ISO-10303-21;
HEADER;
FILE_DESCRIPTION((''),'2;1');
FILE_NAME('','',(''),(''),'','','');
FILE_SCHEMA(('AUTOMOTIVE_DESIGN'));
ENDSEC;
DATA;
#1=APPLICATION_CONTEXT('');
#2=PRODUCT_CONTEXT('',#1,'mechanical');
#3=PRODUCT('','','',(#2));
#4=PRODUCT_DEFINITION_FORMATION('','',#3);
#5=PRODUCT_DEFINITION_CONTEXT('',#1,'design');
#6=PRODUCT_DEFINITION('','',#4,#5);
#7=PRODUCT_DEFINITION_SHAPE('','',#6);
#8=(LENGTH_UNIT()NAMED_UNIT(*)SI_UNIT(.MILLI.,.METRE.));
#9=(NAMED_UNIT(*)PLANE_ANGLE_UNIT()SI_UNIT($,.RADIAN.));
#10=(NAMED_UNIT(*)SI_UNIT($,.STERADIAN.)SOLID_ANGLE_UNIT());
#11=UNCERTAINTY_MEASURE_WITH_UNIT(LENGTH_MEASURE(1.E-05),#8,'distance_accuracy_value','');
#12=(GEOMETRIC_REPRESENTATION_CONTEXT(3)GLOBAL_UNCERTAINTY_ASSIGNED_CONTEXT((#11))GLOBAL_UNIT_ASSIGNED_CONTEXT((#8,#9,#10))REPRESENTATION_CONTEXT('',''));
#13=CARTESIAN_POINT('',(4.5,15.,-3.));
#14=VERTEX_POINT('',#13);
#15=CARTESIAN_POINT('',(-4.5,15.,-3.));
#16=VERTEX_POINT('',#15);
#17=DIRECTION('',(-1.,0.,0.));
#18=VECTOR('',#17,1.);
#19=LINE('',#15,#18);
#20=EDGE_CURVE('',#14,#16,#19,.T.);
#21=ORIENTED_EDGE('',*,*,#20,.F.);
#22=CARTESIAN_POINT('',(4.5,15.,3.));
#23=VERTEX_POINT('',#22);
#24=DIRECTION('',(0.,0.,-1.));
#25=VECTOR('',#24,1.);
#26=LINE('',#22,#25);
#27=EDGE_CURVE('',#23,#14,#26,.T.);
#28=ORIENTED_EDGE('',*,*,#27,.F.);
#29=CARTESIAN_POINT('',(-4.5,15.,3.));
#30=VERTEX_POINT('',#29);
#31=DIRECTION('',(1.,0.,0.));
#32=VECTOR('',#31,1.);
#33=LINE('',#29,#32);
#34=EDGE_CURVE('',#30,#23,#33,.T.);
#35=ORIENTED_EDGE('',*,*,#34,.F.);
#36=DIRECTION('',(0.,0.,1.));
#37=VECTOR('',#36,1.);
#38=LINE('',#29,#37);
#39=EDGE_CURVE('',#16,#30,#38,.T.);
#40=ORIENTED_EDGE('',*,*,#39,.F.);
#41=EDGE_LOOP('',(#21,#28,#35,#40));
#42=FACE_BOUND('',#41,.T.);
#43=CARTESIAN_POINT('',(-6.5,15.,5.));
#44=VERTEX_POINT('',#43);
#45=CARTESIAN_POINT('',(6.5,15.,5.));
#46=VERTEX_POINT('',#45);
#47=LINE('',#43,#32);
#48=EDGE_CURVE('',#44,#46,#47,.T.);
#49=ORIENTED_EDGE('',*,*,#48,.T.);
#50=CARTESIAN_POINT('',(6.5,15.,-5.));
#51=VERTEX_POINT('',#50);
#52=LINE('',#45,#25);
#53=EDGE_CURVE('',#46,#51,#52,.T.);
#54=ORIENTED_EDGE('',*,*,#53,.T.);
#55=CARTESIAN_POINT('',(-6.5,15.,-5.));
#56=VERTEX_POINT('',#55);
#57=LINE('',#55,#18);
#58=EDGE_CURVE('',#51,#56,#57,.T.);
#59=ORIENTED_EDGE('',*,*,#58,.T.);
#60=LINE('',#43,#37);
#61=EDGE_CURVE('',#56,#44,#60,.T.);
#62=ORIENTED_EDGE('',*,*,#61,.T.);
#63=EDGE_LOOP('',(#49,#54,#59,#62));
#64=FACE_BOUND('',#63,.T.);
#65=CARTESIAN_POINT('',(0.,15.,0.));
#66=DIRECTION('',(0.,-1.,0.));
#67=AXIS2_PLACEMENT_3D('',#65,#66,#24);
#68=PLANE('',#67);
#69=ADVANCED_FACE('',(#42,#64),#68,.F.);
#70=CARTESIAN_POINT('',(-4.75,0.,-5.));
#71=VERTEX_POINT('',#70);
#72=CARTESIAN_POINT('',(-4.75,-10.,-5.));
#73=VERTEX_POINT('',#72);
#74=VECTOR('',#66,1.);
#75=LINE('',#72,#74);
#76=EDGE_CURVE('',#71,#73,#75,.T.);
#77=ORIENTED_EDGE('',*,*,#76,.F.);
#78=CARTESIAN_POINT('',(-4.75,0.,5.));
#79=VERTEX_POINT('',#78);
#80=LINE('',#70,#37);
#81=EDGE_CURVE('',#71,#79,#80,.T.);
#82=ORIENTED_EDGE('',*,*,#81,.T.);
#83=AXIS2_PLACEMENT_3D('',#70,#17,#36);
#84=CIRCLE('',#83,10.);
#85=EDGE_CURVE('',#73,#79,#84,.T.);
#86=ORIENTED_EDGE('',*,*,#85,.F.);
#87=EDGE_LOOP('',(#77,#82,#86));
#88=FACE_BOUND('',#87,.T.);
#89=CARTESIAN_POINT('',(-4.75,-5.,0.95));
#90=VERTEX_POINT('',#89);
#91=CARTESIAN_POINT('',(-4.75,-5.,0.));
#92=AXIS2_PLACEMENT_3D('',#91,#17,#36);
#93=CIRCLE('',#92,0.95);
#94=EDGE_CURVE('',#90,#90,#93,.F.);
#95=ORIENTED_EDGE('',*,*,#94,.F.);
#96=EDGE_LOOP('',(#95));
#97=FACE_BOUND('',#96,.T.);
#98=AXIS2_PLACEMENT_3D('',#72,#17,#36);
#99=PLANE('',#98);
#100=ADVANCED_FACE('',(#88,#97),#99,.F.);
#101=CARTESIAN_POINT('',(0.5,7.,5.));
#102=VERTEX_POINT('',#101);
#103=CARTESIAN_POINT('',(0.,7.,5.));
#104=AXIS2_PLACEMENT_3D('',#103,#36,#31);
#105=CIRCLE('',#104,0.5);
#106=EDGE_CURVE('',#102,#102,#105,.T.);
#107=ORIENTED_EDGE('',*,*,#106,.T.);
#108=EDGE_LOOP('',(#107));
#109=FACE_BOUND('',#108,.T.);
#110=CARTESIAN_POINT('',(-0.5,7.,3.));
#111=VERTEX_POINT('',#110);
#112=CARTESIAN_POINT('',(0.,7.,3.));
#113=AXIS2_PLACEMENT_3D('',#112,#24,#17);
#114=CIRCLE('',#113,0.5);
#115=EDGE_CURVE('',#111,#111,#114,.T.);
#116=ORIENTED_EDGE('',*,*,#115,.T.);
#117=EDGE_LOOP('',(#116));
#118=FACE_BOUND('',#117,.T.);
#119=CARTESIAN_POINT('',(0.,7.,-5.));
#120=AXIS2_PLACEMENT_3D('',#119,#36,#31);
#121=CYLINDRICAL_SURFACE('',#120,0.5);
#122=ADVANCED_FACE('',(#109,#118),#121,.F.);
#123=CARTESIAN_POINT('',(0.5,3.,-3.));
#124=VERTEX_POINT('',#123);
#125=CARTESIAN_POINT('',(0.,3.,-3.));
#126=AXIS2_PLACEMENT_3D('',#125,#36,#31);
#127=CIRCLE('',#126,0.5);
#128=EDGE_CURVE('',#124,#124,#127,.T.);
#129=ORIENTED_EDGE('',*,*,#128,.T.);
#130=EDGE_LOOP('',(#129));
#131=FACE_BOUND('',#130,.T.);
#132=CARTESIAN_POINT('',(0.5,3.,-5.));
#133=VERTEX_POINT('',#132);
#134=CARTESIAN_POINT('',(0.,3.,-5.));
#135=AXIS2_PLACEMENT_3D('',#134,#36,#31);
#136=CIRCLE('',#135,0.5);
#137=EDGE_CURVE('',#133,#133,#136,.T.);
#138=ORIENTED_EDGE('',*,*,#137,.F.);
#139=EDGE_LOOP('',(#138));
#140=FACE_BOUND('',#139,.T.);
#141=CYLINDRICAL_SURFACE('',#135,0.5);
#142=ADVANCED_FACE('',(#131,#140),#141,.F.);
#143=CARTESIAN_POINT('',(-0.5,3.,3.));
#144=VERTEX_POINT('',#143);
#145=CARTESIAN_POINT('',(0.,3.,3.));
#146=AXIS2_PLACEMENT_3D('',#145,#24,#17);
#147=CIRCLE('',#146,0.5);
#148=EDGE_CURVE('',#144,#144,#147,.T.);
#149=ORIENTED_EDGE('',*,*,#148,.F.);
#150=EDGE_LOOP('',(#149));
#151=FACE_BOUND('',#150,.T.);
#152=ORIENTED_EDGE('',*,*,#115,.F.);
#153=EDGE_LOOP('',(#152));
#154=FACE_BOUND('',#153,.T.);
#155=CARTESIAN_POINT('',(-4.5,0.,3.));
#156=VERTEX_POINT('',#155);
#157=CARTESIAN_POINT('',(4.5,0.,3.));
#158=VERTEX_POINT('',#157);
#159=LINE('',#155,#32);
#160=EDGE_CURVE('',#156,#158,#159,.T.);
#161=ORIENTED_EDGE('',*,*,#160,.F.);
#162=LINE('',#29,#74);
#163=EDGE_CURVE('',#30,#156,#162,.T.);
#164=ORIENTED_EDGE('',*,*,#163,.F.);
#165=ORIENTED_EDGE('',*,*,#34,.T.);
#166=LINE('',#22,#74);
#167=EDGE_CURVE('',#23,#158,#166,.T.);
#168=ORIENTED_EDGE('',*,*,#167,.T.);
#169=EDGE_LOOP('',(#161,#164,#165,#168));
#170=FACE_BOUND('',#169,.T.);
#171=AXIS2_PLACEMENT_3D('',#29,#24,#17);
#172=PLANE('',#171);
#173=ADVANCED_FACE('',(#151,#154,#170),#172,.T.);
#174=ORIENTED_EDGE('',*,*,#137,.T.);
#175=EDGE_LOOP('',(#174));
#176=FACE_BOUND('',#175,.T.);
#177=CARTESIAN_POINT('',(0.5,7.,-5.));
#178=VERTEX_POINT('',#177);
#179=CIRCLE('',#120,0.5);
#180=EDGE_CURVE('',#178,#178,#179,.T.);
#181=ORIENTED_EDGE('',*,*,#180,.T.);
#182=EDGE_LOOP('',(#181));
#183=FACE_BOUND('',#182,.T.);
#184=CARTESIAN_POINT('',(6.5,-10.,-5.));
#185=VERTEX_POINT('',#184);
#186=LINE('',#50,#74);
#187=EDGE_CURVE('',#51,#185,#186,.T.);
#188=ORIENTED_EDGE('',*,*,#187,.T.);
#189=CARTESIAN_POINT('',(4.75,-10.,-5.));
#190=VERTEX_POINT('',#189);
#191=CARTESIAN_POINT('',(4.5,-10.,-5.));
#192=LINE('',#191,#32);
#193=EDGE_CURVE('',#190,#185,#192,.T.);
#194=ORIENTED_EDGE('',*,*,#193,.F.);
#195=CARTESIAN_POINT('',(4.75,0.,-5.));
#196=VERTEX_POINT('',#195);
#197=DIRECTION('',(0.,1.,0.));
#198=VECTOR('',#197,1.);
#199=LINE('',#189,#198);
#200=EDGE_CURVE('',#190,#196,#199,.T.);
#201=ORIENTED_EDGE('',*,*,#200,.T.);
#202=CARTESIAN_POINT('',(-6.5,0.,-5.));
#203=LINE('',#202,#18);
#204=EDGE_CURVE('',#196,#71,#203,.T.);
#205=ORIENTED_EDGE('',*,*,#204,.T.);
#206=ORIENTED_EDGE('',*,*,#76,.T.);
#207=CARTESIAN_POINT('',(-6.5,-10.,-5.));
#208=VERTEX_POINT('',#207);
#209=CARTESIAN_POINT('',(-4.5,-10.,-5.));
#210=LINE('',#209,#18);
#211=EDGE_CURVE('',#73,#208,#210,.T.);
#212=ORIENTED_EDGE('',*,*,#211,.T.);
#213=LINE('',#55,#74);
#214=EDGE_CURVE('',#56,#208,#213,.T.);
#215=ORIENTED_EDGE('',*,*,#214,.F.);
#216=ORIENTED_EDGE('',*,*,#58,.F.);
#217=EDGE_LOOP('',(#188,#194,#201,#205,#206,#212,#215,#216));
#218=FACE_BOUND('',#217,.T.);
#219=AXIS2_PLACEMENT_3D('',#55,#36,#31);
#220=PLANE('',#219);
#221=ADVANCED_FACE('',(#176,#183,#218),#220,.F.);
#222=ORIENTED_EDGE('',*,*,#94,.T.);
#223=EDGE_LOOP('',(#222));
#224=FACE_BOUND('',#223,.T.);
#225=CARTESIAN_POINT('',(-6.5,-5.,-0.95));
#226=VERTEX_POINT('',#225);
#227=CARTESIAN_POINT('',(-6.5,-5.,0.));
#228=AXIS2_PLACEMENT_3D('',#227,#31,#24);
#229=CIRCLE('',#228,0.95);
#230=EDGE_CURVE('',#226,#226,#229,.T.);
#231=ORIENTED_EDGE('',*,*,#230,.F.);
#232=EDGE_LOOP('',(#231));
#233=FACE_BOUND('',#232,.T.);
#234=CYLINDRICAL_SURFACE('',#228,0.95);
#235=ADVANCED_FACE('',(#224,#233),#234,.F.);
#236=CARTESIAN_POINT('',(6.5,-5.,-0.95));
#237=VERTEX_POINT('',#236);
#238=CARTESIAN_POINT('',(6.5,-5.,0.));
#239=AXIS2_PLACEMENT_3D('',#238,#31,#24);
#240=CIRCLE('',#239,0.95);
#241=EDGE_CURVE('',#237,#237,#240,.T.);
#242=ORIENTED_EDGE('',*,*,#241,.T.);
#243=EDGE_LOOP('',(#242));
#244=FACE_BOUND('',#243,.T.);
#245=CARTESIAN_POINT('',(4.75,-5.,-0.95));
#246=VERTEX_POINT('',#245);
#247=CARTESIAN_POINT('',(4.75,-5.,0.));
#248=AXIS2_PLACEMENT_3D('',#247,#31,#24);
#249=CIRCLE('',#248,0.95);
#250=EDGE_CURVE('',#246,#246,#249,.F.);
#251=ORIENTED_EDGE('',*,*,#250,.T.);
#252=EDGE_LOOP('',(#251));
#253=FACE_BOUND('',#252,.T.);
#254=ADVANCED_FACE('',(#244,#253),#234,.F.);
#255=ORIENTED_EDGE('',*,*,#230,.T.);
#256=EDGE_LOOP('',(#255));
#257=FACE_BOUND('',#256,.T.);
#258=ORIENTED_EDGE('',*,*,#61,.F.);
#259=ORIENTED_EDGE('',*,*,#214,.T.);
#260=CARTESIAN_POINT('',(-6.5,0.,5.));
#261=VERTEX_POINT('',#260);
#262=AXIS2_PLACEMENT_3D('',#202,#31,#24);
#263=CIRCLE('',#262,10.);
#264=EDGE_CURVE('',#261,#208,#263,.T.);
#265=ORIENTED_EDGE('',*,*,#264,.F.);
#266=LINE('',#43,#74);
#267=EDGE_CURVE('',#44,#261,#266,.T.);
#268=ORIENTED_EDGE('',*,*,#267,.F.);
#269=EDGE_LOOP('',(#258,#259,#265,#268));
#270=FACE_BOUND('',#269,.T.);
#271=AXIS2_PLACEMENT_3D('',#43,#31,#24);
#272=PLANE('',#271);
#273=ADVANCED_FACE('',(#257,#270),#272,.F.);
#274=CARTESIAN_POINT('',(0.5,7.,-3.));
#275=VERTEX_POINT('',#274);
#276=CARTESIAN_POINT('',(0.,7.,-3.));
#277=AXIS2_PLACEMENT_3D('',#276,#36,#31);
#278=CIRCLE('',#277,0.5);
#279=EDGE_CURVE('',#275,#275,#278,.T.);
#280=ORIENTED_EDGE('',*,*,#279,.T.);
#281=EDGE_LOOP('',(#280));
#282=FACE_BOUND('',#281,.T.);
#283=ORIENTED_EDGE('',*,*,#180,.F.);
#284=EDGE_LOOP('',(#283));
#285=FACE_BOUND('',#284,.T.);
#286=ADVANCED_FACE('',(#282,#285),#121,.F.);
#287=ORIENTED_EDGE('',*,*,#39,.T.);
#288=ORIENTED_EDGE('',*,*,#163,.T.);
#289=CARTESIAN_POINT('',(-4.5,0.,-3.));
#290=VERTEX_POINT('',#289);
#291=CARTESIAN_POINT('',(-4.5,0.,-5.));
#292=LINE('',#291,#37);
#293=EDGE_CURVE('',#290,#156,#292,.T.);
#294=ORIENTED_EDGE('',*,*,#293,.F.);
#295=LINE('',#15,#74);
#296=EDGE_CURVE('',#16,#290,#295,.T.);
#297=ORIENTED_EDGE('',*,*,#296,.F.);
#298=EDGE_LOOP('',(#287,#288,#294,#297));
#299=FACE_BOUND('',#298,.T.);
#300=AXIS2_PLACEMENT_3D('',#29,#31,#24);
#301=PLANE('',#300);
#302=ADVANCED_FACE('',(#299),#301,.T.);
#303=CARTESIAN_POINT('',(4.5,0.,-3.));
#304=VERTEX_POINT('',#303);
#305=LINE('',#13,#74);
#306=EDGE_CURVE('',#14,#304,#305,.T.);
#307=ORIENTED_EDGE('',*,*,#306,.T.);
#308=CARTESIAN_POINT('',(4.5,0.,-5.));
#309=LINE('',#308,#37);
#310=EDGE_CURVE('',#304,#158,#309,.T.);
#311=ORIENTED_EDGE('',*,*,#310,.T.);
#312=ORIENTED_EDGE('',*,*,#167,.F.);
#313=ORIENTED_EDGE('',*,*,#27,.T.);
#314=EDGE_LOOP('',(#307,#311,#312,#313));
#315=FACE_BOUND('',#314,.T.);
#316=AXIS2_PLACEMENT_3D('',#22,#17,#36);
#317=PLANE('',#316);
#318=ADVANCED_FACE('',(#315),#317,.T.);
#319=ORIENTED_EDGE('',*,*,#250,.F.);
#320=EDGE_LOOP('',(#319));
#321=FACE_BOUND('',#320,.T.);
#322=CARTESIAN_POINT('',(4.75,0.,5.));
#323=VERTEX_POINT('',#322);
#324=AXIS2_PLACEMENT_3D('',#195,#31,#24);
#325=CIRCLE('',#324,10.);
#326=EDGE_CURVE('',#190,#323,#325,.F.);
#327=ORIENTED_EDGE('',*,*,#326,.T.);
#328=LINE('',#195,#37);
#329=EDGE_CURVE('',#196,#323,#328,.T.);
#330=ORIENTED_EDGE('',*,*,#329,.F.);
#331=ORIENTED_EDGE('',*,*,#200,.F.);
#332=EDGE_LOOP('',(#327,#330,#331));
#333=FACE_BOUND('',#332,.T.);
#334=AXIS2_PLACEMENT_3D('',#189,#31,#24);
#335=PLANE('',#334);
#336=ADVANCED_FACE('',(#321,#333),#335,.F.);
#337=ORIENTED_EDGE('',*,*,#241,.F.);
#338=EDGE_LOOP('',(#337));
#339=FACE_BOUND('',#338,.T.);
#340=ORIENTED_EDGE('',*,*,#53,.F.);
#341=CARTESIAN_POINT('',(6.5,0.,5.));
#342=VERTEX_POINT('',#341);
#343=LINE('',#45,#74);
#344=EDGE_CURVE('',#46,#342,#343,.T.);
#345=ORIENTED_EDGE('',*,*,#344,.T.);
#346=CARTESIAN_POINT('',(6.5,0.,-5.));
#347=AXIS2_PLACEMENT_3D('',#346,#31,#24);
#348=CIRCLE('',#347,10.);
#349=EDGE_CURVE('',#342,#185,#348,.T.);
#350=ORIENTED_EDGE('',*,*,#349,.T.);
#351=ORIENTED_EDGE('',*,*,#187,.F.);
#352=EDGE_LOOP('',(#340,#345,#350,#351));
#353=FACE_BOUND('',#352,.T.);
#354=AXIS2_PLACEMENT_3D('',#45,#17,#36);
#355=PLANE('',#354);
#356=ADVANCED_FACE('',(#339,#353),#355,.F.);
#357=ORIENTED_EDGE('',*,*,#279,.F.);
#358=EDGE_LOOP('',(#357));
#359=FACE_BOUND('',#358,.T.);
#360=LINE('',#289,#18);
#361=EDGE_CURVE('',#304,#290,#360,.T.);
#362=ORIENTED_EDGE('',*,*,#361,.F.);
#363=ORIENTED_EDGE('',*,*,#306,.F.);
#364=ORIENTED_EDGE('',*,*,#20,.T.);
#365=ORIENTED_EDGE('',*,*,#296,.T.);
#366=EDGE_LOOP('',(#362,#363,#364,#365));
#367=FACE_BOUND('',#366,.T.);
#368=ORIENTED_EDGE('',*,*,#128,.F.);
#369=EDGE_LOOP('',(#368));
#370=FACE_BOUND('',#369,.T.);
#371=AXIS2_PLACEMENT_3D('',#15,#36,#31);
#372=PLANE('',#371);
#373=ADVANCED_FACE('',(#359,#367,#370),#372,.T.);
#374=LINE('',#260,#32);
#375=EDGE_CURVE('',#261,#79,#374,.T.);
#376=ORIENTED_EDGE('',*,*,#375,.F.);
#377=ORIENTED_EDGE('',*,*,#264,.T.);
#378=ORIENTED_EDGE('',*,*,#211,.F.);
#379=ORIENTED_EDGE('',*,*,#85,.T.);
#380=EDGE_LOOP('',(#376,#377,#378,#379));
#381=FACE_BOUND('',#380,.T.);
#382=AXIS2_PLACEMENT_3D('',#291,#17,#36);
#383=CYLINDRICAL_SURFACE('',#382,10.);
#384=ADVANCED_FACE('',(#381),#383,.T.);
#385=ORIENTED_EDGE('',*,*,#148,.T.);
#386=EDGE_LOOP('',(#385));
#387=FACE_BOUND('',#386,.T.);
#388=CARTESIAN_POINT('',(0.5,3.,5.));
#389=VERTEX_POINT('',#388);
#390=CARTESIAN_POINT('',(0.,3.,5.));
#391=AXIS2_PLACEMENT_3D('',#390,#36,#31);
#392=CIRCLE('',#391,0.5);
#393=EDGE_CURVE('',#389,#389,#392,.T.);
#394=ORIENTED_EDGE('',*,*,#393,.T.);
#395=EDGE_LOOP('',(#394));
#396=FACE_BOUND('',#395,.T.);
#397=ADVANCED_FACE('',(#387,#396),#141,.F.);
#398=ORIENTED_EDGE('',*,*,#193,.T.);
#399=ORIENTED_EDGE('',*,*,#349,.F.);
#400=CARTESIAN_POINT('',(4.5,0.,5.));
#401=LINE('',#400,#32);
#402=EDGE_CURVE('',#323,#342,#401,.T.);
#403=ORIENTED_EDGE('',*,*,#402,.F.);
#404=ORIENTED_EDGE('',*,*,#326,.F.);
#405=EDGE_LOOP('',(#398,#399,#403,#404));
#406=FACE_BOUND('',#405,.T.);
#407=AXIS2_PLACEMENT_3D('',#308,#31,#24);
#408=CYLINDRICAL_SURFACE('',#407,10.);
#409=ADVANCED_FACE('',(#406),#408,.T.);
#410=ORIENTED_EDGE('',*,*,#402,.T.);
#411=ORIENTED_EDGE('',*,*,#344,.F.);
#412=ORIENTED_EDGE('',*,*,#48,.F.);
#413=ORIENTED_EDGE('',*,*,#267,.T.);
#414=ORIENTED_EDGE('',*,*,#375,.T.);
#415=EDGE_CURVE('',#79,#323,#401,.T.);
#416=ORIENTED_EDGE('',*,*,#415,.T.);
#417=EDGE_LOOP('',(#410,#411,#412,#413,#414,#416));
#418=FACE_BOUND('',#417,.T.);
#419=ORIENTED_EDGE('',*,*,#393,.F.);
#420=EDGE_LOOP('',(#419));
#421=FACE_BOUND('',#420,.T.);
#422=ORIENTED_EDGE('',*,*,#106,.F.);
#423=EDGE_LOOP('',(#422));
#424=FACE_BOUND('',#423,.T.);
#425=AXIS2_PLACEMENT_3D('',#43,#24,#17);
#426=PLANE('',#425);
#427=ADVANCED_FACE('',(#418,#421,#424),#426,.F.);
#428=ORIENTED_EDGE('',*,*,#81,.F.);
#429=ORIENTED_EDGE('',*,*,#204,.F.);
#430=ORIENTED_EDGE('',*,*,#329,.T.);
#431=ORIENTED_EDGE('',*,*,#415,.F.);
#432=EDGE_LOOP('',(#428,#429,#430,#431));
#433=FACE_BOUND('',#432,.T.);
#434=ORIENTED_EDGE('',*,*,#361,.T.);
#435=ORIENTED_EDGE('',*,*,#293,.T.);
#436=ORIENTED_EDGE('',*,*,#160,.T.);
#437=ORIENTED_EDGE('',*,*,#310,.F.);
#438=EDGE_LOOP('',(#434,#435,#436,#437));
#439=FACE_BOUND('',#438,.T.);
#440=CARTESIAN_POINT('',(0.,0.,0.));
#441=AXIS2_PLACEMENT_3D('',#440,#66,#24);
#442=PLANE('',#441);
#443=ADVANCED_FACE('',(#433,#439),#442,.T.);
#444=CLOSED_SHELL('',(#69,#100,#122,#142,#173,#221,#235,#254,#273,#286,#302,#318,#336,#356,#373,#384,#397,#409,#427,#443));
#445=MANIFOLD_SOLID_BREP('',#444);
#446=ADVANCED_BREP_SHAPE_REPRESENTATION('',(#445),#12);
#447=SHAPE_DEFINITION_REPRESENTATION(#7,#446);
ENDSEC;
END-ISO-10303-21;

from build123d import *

# Parameters (mm, degrees)
SKETCH1_W               = 13
SKETCH1_H               = 10
SKETCH1_W_2             = 9
SKETCH1_H_2             = 6
BOSS_EXTRUDE1_DEPTH     = 15
BOSS_EXTRUDE2_DEPTH     = 2
SKETCH3_R               = 0.95
CUT_EXTRUDE1_DEPTH      = 14
SKETCH4_R               = 0.5
CUT_EXTRUDE2_DEPTH      = 11
SKETCH5_W               = 0.25
SKETCH5_H               = 10
CUT_EXTRUDE3_DEPTH      = 6
CUT_EXTRUDE3_DEPTH_BACK = 6


with BuildPart() as part:
    # Sketch1 → Boss-Extrude1 (new body)
    with BuildSketch(Plane(origin=(0, 0, 0), x_dir=(1, 0, 0), z_dir=(0, 1, 0))):
        Rectangle(SKETCH1_W, SKETCH1_H)
        Rectangle(SKETCH1_W_2, SKETCH1_H_2, mode=Mode.SUBTRACT)
    extrude(amount=BOSS_EXTRUDE1_DEPTH)

    # Sketch2 → Boss-Extrude2 (add)
    with BuildSketch(Plane(origin=(6.5, 0, 0), x_dir=(0, 0, -1), z_dir=(1, 0, 0))):
        with BuildLine():
            ThreePointArc((-5, 0), (-2.071067812, -7.071067812), (5, -10))
            Line((5, -10), (5, 0))
            Line((5, 0), (-5, 0))
        make_face()
    boss_extrude2 = extrude(amount=-BOSS_EXTRUDE2_DEPTH)

    # Mirror1: Boss-Extrude2 across plane
    add(boss_extrude2.mirror(Plane(origin=(0, 0, 0), x_dir=(0, 0, 1), z_dir=(1, 0, 0))))

    # Sketch3 → Cut-Extrude1 (cut, through all)
    with BuildSketch(Plane(origin=(6.5, 0, 0), x_dir=(0, 0, -1), z_dir=(1, 0, 0))):
        with Locations((0, -5)):
            Circle(SKETCH3_R)
    extrude(amount=-CUT_EXTRUDE1_DEPTH, mode=Mode.SUBTRACT)

    # Sketch4 → Cut-Extrude2 (cut, through all)
    with BuildSketch(Plane.XY.offset(5)):
        with Locations((0, 3)):
            Circle(SKETCH4_R)
        with Locations((0, 7)):
            Circle(SKETCH4_R)
    extrude(amount=-CUT_EXTRUDE2_DEPTH, mode=Mode.SUBTRACT)

    # Sketch5 → Cut-Extrude3 (cut, two sides)
    with BuildSketch(Plane.XY) as cut_extrude3_sk:
        with Locations((-4.625, -5)):
            Rectangle(SKETCH5_W, SKETCH5_H)
        with Locations((4.625, -5)):
            Rectangle(SKETCH5_W, SKETCH5_H)
    extrude(amount=CUT_EXTRUDE3_DEPTH, mode=Mode.SUBTRACT)
    extrude(cut_extrude3_sk.sketch, amount=-CUT_EXTRUDE3_DEPTH_BACK, mode=Mode.SUBTRACT)


solid = part.part
